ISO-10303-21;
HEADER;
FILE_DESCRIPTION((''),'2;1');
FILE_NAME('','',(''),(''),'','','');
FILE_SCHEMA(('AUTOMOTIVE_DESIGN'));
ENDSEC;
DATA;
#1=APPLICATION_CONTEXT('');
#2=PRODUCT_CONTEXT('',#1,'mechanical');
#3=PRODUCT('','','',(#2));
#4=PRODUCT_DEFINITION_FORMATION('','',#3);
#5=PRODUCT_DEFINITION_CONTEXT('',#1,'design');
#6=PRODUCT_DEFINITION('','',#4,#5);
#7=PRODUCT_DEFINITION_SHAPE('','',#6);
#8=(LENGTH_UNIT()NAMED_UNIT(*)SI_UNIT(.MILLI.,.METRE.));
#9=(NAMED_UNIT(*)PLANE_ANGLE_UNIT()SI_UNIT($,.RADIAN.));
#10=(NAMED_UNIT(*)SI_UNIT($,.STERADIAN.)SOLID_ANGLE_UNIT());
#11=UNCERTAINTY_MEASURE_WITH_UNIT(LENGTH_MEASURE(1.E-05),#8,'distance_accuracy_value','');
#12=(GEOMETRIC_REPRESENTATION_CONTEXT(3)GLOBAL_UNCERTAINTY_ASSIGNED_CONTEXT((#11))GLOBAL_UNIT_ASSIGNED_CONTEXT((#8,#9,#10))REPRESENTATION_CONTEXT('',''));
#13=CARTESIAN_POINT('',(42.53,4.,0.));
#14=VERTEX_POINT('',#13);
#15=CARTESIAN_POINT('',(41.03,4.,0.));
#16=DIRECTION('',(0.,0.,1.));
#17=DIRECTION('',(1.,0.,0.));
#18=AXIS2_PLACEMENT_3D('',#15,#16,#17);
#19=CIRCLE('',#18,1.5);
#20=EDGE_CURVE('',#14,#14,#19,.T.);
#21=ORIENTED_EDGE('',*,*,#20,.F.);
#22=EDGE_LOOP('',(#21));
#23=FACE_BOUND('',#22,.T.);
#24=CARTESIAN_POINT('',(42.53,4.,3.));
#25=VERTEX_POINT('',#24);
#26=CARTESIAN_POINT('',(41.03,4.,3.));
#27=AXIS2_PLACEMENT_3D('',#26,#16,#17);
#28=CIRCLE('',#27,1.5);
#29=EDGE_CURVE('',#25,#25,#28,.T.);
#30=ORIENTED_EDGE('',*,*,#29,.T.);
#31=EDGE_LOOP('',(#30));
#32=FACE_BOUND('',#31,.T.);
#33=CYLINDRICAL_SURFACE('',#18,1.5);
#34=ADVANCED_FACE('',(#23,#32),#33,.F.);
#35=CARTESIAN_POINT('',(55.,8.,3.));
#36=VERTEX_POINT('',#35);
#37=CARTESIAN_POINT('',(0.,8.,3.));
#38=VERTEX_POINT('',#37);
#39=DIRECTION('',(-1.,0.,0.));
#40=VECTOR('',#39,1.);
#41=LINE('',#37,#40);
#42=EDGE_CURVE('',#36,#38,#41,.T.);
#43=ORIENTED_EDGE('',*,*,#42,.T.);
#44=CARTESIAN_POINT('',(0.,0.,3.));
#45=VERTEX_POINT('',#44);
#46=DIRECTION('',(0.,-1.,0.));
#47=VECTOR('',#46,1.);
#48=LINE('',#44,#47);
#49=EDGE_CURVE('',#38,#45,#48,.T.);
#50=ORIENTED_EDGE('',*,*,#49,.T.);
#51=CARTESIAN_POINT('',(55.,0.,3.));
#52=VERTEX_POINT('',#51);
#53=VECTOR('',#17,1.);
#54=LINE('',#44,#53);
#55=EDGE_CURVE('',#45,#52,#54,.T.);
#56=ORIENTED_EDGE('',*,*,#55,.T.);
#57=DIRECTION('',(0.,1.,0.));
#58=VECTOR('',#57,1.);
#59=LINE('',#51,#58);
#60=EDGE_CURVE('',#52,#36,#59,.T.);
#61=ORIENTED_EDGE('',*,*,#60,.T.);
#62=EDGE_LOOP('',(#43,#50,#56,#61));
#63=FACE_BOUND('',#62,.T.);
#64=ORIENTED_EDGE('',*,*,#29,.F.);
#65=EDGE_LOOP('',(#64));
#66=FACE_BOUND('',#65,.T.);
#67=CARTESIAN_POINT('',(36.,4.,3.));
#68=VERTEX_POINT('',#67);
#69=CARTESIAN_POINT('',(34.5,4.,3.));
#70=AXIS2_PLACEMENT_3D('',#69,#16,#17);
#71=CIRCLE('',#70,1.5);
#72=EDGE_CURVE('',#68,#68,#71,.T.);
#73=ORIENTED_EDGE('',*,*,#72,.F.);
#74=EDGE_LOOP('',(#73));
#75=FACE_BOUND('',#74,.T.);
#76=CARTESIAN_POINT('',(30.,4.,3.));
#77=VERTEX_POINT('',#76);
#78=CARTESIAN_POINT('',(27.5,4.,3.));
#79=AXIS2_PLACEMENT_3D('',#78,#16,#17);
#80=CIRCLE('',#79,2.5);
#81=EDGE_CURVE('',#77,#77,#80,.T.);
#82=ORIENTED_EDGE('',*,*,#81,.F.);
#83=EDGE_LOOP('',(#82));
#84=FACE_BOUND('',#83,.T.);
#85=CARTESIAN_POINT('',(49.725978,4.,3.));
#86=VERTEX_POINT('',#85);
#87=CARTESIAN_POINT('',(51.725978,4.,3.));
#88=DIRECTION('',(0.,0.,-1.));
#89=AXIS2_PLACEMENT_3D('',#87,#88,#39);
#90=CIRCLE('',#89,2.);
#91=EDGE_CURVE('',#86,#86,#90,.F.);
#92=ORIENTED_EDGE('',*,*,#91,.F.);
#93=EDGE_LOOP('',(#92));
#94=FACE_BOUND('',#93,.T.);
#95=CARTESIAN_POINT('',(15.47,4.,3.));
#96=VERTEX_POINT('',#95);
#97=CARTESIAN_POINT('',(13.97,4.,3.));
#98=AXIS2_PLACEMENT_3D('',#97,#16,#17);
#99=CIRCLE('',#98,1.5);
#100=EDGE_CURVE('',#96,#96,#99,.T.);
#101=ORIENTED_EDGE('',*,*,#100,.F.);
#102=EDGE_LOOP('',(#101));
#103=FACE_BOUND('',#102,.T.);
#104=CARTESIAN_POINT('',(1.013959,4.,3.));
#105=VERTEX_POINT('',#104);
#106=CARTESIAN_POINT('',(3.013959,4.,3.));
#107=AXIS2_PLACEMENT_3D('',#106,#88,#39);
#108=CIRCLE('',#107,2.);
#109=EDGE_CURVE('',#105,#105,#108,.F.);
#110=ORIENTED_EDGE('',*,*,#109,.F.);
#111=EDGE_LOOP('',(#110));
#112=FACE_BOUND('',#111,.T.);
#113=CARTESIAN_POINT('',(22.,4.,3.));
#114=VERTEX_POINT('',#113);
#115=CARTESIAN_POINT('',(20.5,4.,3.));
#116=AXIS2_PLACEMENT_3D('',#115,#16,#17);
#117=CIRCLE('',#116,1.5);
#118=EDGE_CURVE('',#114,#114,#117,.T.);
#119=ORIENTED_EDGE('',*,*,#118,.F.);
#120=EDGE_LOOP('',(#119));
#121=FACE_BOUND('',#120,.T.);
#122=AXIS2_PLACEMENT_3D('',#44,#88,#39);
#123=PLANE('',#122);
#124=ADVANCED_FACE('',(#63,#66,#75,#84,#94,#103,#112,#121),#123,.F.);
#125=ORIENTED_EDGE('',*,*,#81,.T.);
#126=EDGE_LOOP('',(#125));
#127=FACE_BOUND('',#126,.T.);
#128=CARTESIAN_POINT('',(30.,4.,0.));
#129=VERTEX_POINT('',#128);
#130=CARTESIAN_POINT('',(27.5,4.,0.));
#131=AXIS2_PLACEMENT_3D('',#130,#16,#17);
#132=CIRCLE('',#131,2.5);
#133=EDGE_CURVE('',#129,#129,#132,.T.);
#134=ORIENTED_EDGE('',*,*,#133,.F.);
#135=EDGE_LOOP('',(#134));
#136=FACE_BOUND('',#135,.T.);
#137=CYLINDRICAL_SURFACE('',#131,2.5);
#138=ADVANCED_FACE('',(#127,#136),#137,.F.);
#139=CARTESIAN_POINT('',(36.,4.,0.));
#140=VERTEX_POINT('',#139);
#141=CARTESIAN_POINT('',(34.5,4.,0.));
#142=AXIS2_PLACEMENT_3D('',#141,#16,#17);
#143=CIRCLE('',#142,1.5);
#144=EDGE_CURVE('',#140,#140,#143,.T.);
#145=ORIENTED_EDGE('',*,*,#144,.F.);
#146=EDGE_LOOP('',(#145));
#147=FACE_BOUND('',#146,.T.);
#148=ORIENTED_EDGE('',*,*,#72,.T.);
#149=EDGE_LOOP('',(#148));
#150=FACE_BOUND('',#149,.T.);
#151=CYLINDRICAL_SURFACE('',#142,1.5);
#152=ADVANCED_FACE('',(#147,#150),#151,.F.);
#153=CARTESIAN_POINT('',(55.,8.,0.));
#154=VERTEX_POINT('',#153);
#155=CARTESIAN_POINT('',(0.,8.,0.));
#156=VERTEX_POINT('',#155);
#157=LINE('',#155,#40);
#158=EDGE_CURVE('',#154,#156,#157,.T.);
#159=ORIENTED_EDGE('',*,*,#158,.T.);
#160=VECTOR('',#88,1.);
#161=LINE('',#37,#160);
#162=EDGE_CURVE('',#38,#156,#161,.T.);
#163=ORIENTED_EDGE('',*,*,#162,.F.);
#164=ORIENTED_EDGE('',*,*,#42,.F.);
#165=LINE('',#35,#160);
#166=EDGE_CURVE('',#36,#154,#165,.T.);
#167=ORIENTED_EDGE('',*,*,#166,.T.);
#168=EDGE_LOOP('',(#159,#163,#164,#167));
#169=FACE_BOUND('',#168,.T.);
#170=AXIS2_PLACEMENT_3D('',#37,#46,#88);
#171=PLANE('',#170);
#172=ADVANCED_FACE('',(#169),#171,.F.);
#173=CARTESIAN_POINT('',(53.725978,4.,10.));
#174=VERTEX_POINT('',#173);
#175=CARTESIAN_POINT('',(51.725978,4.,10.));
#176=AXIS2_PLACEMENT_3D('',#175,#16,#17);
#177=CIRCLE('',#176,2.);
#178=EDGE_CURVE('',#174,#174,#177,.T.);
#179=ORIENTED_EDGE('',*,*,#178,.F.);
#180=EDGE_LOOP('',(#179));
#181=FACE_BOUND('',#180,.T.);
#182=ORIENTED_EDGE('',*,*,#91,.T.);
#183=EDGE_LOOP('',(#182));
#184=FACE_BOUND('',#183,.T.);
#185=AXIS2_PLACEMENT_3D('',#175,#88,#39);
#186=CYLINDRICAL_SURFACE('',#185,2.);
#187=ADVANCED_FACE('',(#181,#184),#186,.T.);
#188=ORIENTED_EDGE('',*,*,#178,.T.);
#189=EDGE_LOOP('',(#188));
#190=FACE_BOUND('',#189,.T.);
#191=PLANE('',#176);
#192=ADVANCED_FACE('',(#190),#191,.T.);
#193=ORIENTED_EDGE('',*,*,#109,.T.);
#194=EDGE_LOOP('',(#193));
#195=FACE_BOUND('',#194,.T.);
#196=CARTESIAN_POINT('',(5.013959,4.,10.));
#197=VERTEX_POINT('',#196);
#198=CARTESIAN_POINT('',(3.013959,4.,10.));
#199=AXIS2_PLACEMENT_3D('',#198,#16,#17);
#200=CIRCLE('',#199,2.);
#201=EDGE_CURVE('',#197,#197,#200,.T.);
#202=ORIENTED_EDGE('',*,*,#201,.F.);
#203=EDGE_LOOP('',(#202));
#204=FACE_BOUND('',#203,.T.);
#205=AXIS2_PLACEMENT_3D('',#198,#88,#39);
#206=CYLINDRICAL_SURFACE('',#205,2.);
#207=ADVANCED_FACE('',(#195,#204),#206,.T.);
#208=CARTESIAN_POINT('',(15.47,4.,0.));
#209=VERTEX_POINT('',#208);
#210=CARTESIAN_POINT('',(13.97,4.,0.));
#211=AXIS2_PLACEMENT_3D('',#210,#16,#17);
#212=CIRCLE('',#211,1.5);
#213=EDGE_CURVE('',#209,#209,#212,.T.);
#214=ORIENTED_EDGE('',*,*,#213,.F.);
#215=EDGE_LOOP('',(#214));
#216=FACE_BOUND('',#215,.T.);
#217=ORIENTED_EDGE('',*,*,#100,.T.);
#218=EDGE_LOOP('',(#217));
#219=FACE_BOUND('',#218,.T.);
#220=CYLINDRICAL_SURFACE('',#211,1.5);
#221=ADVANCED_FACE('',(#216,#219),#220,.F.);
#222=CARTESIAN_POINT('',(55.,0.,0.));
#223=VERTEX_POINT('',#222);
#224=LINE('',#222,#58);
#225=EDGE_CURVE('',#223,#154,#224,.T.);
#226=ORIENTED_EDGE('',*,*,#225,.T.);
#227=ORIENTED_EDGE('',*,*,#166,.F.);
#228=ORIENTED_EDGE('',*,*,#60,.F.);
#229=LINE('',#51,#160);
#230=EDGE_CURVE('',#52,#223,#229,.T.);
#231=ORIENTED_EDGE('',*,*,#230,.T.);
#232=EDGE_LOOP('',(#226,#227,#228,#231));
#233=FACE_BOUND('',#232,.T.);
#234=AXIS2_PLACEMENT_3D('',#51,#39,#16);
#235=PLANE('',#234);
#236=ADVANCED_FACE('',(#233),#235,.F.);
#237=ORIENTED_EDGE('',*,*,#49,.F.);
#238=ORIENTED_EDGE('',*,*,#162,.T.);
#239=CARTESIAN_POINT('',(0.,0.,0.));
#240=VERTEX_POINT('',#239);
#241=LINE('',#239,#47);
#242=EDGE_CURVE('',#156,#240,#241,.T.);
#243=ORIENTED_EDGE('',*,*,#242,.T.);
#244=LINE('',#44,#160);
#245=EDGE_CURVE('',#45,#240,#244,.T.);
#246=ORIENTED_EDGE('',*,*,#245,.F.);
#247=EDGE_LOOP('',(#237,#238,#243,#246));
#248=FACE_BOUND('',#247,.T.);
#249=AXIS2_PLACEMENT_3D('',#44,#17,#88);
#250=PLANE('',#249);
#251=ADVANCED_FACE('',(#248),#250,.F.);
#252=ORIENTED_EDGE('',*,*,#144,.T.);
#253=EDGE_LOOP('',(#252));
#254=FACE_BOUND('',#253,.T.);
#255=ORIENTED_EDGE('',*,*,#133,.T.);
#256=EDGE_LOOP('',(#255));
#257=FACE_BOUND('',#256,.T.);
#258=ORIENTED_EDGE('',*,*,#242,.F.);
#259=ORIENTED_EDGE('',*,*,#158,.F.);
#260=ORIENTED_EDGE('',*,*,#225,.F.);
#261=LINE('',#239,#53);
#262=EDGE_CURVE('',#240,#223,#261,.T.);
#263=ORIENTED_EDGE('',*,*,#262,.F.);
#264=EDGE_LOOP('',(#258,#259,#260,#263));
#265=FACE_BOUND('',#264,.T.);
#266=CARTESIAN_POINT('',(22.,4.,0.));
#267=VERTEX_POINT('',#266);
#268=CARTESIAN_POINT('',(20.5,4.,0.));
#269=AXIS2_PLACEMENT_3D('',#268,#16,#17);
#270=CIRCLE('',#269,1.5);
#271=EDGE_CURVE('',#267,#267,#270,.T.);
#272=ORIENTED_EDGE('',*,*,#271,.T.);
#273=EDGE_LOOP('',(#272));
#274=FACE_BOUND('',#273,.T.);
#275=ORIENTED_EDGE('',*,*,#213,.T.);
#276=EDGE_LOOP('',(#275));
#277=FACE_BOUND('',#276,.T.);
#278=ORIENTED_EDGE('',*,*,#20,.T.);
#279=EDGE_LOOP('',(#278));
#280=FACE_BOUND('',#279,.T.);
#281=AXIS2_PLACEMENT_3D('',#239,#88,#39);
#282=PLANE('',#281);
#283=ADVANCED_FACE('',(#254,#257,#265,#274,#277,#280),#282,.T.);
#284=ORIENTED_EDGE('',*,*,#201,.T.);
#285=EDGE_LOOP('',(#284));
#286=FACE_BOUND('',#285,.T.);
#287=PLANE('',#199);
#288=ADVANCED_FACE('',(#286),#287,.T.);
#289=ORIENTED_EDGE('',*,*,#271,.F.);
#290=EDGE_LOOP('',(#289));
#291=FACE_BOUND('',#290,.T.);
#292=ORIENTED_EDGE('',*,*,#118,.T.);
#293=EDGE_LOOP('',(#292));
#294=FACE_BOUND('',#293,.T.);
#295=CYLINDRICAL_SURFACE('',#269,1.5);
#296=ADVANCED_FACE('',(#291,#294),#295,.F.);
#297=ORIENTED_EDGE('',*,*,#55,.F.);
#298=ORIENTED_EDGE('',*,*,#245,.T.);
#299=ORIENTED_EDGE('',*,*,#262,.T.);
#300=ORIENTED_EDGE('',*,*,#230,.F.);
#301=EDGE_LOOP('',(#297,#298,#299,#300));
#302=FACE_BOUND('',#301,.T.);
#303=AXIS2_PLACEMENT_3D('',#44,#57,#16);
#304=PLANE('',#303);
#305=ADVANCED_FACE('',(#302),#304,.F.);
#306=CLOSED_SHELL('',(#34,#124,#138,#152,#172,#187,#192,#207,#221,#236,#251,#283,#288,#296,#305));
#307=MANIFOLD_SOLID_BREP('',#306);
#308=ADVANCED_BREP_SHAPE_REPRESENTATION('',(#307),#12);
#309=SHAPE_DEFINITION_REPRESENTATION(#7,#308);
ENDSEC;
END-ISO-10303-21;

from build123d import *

# Parameters (mm, degrees)
SKETCH1_W           = 55
SKETCH1_H           = 8
BOSS_EXTRUDE1_DEPTH = 3
SKETCH2_R           = 1.5
SKETCH2_R_2         = 2.5
CUT_EXTRUDE1_DEPTH  = 4
SKETCH3_R           = 2
BOSS_EXTRUDE2_DEPTH = 10


with BuildPart() as part:
    # Sketch1 → Boss-Extrude1 (new body)
    with BuildSketch(Plane.XY):
        with Locations((27.5, 4)):
            Rectangle(SKETCH1_W, SKETCH1_H)
    extrude(amount=BOSS_EXTRUDE1_DEPTH)

    # Sketch2 → Cut-Extrude1 (cut, through all)
    with BuildSketch(Plane.XY.offset(3)):
        with Locations((13.97, 4)):
            Circle(SKETCH2_R)
        with Locations((20.5, 4)):
            Circle(SKETCH2_R)
        with Locations((41.03, 4)):
            Circle(SKETCH2_R)
        with Locations((34.5, 4)):
            Circle(SKETCH2_R)
        with Locations((27.5, 4)):
            Circle(SKETCH2_R_2)
    extrude(amount=-CUT_EXTRUDE1_DEPTH, mode=Mode.SUBTRACT)

    # Sketch3 → Boss-Extrude2 (add)
    with BuildSketch(Plane.XY):
        with Locations((51.725977791, 4)):
            Circle(SKETCH3_R)
        with Locations((3.013958935, 4)):
            Circle(SKETCH3_R)
    extrude(amount=BOSS_EXTRUDE2_DEPTH)


solid = part.part
